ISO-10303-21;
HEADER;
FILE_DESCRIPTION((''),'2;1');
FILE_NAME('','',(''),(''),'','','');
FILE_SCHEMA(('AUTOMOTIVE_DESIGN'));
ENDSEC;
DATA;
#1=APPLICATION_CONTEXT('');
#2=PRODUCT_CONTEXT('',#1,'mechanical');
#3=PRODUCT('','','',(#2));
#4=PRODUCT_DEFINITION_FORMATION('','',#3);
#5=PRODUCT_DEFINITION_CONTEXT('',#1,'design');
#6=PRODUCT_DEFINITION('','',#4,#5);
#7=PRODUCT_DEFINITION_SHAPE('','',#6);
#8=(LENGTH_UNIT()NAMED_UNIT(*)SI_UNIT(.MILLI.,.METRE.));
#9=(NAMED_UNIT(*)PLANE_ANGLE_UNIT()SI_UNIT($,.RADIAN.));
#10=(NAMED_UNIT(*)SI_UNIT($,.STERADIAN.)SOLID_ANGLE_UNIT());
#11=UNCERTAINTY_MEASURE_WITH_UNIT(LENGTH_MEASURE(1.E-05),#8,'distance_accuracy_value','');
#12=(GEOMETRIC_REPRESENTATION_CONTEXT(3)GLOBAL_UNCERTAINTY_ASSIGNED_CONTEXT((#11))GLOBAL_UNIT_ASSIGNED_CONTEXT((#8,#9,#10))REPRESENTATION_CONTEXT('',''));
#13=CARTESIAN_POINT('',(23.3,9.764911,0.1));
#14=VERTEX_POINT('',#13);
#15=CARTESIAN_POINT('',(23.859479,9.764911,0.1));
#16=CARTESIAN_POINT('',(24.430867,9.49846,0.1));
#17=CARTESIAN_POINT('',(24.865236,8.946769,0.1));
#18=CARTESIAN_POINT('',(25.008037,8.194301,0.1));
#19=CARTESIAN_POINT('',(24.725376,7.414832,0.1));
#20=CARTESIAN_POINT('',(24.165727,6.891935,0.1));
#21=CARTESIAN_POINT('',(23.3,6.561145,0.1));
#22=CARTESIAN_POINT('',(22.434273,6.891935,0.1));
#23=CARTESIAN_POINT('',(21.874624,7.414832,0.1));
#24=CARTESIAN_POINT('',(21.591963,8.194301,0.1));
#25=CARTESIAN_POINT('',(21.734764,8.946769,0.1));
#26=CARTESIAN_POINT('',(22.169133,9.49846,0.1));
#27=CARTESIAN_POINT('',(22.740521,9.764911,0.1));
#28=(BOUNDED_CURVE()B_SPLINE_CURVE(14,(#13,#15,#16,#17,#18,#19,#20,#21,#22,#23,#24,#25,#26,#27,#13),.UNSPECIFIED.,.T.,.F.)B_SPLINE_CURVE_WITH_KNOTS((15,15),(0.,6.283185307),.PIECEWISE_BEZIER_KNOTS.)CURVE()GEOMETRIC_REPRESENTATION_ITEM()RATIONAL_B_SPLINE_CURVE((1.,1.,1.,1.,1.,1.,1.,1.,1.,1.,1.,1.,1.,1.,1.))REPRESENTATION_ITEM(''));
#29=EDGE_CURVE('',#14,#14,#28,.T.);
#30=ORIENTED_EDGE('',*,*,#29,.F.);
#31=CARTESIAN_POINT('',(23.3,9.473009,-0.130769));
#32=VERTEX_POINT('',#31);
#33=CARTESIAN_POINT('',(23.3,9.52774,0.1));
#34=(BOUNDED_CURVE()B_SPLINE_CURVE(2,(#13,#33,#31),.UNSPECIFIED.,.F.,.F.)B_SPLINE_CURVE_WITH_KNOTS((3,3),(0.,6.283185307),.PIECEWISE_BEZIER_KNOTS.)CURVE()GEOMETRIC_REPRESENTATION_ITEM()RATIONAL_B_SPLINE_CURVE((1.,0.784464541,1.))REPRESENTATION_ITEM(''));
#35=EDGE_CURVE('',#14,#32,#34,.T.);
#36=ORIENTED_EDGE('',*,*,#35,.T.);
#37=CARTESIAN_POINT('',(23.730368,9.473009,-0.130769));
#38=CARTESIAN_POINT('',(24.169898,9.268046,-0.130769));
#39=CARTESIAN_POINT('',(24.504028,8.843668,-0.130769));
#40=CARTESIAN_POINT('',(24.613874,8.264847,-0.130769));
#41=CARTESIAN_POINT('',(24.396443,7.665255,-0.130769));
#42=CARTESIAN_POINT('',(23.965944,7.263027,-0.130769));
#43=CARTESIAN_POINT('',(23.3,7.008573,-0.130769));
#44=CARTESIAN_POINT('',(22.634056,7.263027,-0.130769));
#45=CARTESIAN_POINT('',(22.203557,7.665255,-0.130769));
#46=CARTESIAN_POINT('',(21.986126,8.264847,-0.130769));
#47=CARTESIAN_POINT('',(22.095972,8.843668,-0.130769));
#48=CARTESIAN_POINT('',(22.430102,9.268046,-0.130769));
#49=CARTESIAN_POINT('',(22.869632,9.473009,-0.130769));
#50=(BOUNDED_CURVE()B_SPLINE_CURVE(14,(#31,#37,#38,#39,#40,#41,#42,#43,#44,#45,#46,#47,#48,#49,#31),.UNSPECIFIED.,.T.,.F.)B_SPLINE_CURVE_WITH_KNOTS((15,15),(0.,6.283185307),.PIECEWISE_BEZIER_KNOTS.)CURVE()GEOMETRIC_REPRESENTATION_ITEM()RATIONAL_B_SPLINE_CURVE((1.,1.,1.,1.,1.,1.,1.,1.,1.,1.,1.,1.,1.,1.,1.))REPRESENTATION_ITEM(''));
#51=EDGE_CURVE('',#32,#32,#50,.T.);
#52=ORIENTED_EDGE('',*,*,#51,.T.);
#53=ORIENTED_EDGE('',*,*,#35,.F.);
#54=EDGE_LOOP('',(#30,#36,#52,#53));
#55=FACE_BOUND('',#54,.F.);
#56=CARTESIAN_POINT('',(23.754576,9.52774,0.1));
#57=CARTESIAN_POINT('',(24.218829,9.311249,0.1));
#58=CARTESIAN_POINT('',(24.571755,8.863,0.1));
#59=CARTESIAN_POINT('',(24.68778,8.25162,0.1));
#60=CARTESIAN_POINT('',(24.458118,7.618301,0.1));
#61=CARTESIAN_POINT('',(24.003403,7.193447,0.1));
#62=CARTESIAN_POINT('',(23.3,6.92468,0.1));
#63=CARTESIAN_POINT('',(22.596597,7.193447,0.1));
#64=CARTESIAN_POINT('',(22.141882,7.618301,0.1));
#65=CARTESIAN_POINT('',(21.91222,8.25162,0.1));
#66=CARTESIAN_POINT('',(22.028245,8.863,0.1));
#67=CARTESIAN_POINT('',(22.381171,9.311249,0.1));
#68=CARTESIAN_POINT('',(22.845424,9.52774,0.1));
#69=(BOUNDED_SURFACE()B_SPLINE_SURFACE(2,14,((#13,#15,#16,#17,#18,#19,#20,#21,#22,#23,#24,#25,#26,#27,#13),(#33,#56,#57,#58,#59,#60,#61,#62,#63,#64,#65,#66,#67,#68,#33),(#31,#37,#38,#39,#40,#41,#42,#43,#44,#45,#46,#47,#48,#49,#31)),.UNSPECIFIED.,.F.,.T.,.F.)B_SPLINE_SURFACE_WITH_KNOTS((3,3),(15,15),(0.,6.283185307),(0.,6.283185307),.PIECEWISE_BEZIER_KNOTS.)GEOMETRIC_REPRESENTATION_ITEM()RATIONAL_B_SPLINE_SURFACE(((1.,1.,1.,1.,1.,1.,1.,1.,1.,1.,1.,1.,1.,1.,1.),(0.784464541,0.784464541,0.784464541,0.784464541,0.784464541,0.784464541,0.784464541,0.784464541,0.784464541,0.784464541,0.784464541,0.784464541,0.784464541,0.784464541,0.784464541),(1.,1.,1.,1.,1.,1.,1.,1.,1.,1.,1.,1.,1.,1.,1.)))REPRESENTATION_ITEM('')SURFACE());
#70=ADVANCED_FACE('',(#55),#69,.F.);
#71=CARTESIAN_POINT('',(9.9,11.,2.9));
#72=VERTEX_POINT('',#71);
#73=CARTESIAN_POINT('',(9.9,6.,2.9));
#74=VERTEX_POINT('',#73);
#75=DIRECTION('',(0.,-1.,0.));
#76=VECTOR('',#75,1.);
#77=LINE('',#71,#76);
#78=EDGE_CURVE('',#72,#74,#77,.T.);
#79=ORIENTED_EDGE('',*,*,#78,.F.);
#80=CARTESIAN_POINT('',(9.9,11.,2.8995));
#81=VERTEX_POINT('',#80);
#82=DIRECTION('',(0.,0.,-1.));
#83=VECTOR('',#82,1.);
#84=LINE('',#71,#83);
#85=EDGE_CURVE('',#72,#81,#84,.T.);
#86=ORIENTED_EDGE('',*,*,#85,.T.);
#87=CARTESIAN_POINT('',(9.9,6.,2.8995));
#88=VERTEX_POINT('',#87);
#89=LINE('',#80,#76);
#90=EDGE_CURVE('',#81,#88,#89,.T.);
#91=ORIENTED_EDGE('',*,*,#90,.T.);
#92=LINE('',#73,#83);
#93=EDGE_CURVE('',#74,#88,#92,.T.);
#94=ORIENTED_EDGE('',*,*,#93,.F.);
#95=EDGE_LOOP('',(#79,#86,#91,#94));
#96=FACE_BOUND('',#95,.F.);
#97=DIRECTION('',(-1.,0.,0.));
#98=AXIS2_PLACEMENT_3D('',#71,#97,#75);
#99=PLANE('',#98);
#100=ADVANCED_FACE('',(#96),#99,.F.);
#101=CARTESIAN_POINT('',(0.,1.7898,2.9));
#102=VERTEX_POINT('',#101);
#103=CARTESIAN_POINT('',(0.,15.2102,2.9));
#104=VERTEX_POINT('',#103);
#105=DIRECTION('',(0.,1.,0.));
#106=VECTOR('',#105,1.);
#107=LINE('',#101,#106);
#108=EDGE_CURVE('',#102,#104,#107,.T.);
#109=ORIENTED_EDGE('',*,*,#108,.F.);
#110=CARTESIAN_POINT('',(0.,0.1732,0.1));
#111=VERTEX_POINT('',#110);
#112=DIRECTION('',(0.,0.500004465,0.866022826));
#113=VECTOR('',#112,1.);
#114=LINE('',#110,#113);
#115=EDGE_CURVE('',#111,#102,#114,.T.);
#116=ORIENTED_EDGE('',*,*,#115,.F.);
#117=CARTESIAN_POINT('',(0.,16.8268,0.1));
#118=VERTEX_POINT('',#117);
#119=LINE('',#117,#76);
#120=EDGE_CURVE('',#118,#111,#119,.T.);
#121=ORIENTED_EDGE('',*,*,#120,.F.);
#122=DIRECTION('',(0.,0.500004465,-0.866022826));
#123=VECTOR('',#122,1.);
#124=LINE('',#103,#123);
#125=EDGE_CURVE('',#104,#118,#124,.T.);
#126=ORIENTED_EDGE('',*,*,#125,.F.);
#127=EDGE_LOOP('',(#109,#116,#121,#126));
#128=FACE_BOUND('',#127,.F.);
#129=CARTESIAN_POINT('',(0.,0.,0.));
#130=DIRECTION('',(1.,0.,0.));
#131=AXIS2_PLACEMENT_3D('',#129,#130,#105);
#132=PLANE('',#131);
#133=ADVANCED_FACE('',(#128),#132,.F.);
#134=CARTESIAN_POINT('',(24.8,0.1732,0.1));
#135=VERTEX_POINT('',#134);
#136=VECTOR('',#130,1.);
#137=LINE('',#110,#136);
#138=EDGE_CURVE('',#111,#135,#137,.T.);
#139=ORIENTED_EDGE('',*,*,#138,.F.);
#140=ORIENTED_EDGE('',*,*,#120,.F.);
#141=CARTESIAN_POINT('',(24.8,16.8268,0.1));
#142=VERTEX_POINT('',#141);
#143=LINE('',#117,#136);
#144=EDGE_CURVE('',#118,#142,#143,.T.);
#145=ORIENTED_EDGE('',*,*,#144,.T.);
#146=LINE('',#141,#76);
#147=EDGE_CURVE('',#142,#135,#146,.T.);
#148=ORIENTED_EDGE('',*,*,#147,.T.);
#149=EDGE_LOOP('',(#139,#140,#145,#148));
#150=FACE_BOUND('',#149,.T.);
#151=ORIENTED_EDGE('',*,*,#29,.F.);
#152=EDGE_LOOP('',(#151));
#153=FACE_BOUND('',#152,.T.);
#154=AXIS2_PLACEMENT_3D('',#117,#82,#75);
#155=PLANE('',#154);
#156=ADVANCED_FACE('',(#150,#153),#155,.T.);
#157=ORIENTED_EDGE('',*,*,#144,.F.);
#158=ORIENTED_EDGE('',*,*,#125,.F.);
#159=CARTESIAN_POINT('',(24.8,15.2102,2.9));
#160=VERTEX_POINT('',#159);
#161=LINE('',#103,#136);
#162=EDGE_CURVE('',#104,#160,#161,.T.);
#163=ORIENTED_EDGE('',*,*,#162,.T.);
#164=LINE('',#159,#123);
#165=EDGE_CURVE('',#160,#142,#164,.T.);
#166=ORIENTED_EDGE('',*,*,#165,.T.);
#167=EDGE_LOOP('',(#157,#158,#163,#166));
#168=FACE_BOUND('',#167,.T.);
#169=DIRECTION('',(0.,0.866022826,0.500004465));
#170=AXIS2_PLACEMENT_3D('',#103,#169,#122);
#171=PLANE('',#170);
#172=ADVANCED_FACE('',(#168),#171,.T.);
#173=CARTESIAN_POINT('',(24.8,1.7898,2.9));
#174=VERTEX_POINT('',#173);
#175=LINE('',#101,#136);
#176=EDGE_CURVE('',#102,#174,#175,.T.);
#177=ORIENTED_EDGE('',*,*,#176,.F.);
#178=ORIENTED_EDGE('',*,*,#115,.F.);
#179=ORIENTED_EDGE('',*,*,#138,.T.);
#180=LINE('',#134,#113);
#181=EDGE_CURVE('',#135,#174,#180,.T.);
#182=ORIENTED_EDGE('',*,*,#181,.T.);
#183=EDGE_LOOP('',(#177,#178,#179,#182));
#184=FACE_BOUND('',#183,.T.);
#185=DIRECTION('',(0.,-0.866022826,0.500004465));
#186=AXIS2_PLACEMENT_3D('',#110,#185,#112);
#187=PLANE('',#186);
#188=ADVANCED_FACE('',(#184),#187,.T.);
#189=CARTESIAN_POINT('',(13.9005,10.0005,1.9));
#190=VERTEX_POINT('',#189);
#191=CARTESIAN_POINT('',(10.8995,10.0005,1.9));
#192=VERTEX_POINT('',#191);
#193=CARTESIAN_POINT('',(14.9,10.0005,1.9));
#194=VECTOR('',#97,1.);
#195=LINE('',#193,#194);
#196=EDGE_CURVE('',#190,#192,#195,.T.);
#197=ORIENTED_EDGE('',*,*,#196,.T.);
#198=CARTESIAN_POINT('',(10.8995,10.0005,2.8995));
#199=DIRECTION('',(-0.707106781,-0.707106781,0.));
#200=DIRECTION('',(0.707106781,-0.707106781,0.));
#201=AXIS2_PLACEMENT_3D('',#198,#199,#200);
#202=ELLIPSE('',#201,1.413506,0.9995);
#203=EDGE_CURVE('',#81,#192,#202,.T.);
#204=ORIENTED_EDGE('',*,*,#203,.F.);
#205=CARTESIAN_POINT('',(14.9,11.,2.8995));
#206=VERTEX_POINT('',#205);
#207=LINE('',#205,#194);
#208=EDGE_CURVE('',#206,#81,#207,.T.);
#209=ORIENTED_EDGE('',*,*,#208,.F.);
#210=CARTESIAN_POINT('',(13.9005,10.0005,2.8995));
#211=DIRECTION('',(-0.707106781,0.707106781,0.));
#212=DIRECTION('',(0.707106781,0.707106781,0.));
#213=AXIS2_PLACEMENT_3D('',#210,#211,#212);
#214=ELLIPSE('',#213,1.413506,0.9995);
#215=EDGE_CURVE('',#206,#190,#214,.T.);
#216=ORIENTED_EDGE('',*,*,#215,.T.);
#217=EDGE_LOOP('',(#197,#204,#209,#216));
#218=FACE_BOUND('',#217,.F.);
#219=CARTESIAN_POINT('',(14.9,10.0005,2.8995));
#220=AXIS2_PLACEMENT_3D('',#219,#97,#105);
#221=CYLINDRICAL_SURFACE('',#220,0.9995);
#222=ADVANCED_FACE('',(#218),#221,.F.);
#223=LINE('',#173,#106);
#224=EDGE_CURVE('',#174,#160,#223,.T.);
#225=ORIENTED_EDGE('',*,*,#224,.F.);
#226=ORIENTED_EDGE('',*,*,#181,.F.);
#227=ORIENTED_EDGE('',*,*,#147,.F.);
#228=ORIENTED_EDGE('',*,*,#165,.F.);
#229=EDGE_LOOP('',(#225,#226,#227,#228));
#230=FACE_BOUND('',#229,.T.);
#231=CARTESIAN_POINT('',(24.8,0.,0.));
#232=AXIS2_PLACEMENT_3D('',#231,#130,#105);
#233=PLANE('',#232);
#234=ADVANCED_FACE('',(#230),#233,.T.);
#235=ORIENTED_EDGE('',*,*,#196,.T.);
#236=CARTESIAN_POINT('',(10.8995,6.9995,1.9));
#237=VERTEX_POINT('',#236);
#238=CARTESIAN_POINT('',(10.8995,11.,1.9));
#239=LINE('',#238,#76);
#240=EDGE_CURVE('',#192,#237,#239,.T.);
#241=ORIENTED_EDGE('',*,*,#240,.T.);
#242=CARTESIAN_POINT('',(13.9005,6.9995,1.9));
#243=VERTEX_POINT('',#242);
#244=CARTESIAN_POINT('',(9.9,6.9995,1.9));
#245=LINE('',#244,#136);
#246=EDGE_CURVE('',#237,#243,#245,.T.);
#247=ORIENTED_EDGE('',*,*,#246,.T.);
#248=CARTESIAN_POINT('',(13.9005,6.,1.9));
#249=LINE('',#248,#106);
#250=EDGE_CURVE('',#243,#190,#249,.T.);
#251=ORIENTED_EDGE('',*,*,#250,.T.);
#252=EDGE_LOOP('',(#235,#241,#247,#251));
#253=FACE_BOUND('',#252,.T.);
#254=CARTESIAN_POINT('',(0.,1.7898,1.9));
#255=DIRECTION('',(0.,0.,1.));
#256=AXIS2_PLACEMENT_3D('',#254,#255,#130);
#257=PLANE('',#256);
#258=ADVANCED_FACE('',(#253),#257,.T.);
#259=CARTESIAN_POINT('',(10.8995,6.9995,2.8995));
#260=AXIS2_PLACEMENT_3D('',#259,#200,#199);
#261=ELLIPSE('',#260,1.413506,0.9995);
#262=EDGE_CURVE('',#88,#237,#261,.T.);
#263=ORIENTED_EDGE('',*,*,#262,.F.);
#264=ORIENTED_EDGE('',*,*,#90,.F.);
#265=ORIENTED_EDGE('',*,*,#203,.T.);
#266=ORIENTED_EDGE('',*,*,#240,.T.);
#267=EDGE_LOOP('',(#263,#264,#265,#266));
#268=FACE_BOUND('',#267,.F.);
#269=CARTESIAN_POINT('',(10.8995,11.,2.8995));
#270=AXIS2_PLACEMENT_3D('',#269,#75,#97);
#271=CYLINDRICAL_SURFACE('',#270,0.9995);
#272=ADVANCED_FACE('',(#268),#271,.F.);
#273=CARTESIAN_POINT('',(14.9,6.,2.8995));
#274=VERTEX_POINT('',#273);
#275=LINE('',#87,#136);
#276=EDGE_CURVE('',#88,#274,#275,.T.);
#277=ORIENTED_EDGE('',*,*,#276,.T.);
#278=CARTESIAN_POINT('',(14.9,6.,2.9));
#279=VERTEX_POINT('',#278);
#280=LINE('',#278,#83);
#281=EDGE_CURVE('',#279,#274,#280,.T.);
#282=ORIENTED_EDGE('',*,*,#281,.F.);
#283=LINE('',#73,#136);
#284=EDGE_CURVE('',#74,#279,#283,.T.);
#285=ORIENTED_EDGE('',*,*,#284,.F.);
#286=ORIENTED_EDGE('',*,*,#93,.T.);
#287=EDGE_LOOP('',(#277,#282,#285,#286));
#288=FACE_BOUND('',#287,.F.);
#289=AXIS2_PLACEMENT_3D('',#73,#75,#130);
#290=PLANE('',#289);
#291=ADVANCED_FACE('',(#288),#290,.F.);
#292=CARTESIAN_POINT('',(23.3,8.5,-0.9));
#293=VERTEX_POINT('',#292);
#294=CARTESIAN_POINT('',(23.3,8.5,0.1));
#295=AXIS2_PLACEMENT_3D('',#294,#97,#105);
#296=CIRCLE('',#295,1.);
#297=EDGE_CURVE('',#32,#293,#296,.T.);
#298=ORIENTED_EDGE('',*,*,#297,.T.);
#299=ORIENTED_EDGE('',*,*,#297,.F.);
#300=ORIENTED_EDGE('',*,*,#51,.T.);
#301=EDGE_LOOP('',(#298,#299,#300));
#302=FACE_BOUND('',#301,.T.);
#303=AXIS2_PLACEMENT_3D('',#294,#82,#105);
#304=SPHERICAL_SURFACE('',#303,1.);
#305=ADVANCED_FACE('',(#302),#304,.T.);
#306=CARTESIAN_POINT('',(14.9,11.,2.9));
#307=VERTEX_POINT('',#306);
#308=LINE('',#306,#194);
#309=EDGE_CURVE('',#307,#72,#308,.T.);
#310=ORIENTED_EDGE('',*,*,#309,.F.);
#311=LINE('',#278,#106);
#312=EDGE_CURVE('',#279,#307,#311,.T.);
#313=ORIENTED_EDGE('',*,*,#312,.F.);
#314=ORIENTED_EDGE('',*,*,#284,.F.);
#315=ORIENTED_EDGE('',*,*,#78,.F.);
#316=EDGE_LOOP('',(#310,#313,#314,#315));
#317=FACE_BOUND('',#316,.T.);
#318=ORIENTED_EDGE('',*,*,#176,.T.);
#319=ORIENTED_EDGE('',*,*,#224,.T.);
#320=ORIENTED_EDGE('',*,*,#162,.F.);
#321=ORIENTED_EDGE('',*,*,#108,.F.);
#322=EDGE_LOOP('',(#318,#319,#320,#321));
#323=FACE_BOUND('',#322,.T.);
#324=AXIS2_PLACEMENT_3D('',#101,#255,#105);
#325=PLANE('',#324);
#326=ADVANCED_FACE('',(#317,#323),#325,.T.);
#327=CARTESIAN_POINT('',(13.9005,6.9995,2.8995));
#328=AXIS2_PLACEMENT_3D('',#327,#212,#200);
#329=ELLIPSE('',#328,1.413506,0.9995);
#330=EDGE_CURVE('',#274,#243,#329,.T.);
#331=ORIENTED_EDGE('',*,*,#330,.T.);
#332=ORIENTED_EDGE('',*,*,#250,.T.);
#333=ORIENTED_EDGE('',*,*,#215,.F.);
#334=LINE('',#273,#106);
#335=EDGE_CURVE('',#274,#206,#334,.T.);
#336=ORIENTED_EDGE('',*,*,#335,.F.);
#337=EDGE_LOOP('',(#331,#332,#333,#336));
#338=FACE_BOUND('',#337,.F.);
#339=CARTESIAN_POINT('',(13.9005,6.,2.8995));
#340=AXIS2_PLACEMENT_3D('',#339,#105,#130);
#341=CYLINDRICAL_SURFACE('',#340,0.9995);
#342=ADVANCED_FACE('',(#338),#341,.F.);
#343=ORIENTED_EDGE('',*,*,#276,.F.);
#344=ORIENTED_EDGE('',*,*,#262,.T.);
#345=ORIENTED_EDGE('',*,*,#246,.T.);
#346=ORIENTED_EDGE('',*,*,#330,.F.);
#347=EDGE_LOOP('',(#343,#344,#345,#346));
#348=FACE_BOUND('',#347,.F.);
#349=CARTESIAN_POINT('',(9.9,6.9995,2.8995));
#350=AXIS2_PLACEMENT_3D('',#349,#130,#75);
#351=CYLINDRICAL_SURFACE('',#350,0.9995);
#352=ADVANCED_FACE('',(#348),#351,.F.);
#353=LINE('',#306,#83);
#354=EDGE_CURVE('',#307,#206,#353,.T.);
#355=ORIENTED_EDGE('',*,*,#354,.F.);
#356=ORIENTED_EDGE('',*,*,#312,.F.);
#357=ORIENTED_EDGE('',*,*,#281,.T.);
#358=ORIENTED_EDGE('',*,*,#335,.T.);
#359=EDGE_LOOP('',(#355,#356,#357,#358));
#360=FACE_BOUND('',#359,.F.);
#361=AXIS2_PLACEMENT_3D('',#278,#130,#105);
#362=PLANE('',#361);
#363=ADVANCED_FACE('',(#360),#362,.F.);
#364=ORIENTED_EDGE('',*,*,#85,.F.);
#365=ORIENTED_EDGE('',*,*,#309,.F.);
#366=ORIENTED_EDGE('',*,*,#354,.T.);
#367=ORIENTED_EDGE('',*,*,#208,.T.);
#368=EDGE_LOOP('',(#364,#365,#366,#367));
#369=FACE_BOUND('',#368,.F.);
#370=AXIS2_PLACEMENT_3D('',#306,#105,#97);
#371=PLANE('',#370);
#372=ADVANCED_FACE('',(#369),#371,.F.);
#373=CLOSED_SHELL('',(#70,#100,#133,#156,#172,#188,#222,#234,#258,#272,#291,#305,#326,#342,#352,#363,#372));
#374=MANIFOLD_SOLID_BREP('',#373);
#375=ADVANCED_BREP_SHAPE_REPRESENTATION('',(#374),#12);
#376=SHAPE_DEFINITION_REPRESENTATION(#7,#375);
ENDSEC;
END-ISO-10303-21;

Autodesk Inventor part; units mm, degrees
ref_plane "YZ Plane" through (0, 0, 0) normal (1, 0, 0) x (0, 1, 0)
sketch "Sketch1" plane through (0, 0, 0) normal (1, 0, 0) x (0, 1, 0)
  line L0 (0, 0) -> (1.7321, 3) construction
  line L1 (1.7321, 3) -> (15.2679, 3) construction
  line L2 (15.2679, 3) -> (17, 0) construction
  line L3 (17, 0) -> (0, 0) construction
  line L4 (15.2679, 3) -> (15.2679, 0) construction
  line L5 (0.1732, 0.1) -> (1.7898, 2.9)
  line L6 (1.7898, 2.9) -> (15.2102, 2.9)
  line L7 (15.2102, 2.9) -> (16.8268, 0.1)
  line L8 (16.8268, 0.1) -> (0.1732, 0.1)
  line L9 (16.0185, 1.5) -> (16.1051, 1.55) construction
  dimension "d0" = 60
  dimension "d1" = 17
  dimension "d2" = 3
  dimension "d11" = 0.1
extrude "Extrusion1" add sketch "Sketch1" along normal blind 24.8
sketch "Sketch3" plane through (0, 1.7898, 2.9) normal (0, 0, 1) x (1, 0, 0)
  line L0 (0, 13.4204) -> (0, 0) construction
  line L1 (0, 13.4204) -> (24.8, 13.4204) construction
  line L2 (0, 0) -> (3, 0) construction
  line L3 (3, 0) -> (3, 13.4204) construction
  line L4 (3, 13.4204) -> (0, 13.4204) construction
  line L5 (0, 13.4204) -> (0, 0) construction
  circle A0 centre (1.5, 6.7102) radius 1.0891
  line L6 (0, 6.7102) -> (3, 6.7102) construction
  point P0 (0, -1.7898)
  point P1 (1.5, 13.4204)
  dimension "d12" = 3
ref_plane "Work Plane1" through (1.5, 8.5, 2.9) normal (1, 0, 0) x (0, 1, 0)
sketch "Sketch5" plane through (0, 0.1732, 0.1) normal (0, 0, -1) x (-1, 0, 0)
  line L0 (0, 0) -> (0, 16.6536) construction
  line L1 (0, 16.6536) -> (-24.8, 16.6536) construction
  line L2 (-24.8, 0) -> (-24.8, 16.6536) construction
  line L3 (0, 0) -> (-24.8, 0) construction
  line L4 (-21.8, 0) -> (-21.8, 16.6536) construction
  line L5 (-24.8, 8.3268) -> (-21.8, 8.3268) construction
  point P0 (0, -0.1732)
  point P1 (-23.3, 8.3268)
  dimension "d16" = 3
ref_plane "Work Plane2" through (23.3, 8.5, 0.1) normal (-1, 0, 0) x (0, -1, 0)
sketch "Sketch6" plane through (23.3, 8.5, 0.1) normal (-1, 0, 0) x (0, -1, 0)
  line L0 (8.3268, 0) -> (-8.3268, 0) projected
  line L1 (0, 0) -> (0, -1)
  line L2 (0, 0) -> (-1, 0)
  arc A0 (-1, 0) -> (0, -1) centre (0, 0) ccw
  point P0 (8.5, -0.1)
  dimension "d17" = 1
revolve "Revolution2" add sketch "Sketch6" angle 360 about axis through (23.3, 8.5, 0.1) along (0, 0, -1)
fillet "Fillet4" radius 0.3 1 edges at (23.3, 7.5, 0.1)
sketch "Sketch7" plane through (0, 1.7898, 2.9) normal (0, 0, 1) x (1, 0, 0)
  line L0 (9.9, 4.2102) -> (14.9, 4.2102)
  line L1 (14.9, 4.2102) -> (14.9, 9.2102)
  line L2 (14.9, 9.2102) -> (9.9, 9.2102)
  line L3 (9.9, 9.2102) -> (9.9, 4.2102)
  line L4 (0, 13.4204) -> (0, 0) projected
  line L5 (0, 13.4204) -> (24.8, 13.4204) projected
  point P0 (0, -1.7898)
  point P1 (9.9, 6.7102)
  point P2 (0, 6.7102)
  point P3 (12.4, 9.2102)
  point P4 (12.4, 13.4204)
  dimension "d20" = 5
  dimension "d21" = 5
extrude "Extrusion3" cut sketch "Sketch7" against normal blind 1
fillet "Fillet5" radius 1 4 edges at (9.9, 8.5, 1.9) (12.4, 6, 1.9) (14.9, 8.5, 1.9) (12.4, 11, 1.9)
properties part number "door"
